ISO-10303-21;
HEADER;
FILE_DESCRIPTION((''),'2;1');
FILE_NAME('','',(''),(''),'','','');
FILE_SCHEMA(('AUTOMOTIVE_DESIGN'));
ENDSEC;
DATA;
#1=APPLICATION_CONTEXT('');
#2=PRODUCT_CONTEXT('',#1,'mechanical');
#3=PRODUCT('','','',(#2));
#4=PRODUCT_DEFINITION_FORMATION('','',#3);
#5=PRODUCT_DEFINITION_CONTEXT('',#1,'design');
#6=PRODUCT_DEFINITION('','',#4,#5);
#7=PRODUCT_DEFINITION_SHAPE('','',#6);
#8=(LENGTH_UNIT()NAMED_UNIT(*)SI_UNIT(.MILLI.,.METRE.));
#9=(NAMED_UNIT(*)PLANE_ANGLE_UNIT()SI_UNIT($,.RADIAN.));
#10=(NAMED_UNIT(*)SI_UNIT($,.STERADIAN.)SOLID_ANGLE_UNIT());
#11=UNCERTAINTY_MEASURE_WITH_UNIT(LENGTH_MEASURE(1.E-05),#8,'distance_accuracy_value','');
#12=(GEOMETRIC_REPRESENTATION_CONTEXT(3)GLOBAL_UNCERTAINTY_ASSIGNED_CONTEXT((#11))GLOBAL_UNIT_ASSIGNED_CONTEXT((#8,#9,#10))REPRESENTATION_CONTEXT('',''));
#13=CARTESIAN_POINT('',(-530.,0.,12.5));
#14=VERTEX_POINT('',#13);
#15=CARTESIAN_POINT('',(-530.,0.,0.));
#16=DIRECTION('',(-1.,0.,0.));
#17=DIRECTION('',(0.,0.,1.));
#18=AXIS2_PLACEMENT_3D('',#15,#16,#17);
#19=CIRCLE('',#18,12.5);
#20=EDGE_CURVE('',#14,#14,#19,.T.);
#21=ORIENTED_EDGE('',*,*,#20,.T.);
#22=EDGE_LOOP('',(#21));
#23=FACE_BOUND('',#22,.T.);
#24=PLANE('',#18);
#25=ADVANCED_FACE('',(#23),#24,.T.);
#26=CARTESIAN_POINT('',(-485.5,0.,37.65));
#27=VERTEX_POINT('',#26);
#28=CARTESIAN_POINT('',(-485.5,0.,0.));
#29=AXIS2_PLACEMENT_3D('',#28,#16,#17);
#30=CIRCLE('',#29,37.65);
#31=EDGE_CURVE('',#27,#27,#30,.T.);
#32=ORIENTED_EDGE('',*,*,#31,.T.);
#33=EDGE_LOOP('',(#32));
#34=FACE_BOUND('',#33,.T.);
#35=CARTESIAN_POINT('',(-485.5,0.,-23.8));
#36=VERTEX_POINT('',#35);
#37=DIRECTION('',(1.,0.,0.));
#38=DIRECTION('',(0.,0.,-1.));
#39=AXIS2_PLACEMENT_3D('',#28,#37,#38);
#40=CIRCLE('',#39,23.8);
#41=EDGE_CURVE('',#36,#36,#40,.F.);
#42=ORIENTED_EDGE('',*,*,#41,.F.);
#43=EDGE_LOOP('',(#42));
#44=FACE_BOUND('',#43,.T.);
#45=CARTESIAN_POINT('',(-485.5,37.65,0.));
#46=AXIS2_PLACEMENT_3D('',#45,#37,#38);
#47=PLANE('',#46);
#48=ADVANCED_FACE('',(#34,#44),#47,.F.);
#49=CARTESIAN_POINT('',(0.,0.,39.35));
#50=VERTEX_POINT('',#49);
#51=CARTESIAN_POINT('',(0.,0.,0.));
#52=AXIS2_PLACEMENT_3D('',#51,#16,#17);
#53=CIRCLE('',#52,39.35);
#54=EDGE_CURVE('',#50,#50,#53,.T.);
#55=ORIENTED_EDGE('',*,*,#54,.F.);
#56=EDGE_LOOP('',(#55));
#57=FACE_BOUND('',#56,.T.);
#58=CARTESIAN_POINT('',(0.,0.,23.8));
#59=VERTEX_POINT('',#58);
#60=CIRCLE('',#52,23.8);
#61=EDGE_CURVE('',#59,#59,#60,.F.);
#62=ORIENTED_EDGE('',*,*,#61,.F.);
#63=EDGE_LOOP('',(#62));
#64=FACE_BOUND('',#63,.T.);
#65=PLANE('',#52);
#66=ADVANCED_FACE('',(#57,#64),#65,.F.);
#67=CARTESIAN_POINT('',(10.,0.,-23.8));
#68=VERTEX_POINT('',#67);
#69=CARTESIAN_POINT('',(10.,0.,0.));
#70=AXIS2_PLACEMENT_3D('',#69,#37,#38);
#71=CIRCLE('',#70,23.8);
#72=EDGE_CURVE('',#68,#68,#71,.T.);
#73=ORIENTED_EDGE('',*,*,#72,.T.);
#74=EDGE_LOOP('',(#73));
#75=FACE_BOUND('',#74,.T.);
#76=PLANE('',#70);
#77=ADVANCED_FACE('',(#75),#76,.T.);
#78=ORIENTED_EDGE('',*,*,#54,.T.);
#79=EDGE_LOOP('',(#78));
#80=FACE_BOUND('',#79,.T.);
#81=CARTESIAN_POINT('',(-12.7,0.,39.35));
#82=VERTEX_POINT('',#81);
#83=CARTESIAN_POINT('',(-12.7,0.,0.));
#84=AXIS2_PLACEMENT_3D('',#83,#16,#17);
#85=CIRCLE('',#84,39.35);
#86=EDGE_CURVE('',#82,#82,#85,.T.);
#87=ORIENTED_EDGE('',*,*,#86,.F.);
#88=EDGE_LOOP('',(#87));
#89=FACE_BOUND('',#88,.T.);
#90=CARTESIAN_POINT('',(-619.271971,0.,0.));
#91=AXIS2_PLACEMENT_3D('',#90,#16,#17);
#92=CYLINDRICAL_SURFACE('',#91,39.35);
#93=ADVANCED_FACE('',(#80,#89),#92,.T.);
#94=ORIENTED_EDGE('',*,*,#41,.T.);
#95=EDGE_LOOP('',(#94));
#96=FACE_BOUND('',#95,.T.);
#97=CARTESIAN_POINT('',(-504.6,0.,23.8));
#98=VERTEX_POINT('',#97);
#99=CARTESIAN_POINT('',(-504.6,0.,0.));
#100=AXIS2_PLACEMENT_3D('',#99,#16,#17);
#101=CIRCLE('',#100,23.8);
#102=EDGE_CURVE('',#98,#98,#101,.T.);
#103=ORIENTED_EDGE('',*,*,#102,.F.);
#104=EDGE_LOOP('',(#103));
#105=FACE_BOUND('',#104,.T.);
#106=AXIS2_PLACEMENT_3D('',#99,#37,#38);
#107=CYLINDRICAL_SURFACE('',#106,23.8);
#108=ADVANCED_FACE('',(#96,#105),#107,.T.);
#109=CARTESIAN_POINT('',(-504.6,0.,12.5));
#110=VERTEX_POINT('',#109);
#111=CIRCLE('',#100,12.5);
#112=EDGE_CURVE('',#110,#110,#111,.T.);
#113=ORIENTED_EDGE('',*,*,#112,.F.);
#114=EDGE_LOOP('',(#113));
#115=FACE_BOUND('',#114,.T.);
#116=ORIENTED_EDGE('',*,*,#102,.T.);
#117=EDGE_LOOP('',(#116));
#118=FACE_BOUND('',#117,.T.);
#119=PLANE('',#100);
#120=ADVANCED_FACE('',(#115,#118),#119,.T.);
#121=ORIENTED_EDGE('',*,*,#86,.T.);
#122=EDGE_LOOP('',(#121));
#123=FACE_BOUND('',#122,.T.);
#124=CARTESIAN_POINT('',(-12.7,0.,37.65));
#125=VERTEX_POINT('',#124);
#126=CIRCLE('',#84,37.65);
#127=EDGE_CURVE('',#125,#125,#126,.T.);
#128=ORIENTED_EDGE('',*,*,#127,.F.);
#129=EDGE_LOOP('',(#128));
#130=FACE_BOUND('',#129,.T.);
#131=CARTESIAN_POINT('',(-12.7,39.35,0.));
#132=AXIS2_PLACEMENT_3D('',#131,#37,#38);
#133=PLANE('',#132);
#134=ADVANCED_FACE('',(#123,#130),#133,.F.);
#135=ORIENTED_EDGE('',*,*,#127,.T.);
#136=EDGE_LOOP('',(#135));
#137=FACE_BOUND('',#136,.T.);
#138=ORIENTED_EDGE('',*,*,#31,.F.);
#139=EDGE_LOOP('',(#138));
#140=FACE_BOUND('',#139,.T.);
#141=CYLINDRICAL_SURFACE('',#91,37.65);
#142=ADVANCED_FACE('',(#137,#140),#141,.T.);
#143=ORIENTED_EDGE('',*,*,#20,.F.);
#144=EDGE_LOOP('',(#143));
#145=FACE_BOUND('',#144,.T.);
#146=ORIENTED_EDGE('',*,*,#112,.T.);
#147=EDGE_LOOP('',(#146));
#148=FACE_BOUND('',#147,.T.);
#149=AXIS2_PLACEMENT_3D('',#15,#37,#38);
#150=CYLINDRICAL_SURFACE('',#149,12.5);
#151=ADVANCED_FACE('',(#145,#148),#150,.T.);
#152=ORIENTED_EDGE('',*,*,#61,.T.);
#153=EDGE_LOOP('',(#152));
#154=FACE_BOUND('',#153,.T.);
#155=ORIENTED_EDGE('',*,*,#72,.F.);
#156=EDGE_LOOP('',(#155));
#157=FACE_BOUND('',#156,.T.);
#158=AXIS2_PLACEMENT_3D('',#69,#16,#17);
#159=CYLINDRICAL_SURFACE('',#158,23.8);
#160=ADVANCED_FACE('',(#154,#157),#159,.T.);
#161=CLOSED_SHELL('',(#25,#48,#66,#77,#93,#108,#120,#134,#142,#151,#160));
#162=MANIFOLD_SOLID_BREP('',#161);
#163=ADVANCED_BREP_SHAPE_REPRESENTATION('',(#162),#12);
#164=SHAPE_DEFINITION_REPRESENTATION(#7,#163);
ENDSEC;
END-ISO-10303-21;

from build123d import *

# Parameters (mm, degrees)
ESQUISSE4_R        = 23.8
BOSS_EXTRU_2_DEPTH = 19.1
ESQUISSE8_R        = 12.5
BOSS_EXTRU_3_DEPTH = 25.4
ESQUISSE9_R        = 23.8
BOSS_EXTRU_4_DEPTH = 10


with BuildPart() as part:
    # Esquisse3 → Révolution1 (revolve)
    with BuildSketch(Plane.XY):
        Polygon((0, 0), (0, 39.35), (-12.7, 39.35), (-12.7, 37.65), (-485.5, 37.65), (-485.5, 0), align=None)
    revolve(axis=Axis((-619.271971496, 0, 0), (1, 0, 0)))

    # Esquisse4 → Boss.-Extru.2 (add)
    with BuildSketch(Plane.ZY.offset(485.5)):
        Circle(ESQUISSE4_R)
    extrude(amount=BOSS_EXTRU_2_DEPTH)

    # Esquisse8 → Boss.-Extru.3 (add)
    with BuildSketch(Plane.ZY.offset(504.6)):
        Circle(ESQUISSE8_R)
    extrude(amount=BOSS_EXTRU_3_DEPTH)

    # Esquisse9 → Boss.-Extru.4 (add)
    with BuildSketch(Plane(origin=(0, 0, 0), x_dir=(0, 0, -1), z_dir=(1, 0, 0))):
        Circle(ESQUISSE9_R)
    extrude(amount=BOSS_EXTRU_4_DEPTH)


solid = part.part
